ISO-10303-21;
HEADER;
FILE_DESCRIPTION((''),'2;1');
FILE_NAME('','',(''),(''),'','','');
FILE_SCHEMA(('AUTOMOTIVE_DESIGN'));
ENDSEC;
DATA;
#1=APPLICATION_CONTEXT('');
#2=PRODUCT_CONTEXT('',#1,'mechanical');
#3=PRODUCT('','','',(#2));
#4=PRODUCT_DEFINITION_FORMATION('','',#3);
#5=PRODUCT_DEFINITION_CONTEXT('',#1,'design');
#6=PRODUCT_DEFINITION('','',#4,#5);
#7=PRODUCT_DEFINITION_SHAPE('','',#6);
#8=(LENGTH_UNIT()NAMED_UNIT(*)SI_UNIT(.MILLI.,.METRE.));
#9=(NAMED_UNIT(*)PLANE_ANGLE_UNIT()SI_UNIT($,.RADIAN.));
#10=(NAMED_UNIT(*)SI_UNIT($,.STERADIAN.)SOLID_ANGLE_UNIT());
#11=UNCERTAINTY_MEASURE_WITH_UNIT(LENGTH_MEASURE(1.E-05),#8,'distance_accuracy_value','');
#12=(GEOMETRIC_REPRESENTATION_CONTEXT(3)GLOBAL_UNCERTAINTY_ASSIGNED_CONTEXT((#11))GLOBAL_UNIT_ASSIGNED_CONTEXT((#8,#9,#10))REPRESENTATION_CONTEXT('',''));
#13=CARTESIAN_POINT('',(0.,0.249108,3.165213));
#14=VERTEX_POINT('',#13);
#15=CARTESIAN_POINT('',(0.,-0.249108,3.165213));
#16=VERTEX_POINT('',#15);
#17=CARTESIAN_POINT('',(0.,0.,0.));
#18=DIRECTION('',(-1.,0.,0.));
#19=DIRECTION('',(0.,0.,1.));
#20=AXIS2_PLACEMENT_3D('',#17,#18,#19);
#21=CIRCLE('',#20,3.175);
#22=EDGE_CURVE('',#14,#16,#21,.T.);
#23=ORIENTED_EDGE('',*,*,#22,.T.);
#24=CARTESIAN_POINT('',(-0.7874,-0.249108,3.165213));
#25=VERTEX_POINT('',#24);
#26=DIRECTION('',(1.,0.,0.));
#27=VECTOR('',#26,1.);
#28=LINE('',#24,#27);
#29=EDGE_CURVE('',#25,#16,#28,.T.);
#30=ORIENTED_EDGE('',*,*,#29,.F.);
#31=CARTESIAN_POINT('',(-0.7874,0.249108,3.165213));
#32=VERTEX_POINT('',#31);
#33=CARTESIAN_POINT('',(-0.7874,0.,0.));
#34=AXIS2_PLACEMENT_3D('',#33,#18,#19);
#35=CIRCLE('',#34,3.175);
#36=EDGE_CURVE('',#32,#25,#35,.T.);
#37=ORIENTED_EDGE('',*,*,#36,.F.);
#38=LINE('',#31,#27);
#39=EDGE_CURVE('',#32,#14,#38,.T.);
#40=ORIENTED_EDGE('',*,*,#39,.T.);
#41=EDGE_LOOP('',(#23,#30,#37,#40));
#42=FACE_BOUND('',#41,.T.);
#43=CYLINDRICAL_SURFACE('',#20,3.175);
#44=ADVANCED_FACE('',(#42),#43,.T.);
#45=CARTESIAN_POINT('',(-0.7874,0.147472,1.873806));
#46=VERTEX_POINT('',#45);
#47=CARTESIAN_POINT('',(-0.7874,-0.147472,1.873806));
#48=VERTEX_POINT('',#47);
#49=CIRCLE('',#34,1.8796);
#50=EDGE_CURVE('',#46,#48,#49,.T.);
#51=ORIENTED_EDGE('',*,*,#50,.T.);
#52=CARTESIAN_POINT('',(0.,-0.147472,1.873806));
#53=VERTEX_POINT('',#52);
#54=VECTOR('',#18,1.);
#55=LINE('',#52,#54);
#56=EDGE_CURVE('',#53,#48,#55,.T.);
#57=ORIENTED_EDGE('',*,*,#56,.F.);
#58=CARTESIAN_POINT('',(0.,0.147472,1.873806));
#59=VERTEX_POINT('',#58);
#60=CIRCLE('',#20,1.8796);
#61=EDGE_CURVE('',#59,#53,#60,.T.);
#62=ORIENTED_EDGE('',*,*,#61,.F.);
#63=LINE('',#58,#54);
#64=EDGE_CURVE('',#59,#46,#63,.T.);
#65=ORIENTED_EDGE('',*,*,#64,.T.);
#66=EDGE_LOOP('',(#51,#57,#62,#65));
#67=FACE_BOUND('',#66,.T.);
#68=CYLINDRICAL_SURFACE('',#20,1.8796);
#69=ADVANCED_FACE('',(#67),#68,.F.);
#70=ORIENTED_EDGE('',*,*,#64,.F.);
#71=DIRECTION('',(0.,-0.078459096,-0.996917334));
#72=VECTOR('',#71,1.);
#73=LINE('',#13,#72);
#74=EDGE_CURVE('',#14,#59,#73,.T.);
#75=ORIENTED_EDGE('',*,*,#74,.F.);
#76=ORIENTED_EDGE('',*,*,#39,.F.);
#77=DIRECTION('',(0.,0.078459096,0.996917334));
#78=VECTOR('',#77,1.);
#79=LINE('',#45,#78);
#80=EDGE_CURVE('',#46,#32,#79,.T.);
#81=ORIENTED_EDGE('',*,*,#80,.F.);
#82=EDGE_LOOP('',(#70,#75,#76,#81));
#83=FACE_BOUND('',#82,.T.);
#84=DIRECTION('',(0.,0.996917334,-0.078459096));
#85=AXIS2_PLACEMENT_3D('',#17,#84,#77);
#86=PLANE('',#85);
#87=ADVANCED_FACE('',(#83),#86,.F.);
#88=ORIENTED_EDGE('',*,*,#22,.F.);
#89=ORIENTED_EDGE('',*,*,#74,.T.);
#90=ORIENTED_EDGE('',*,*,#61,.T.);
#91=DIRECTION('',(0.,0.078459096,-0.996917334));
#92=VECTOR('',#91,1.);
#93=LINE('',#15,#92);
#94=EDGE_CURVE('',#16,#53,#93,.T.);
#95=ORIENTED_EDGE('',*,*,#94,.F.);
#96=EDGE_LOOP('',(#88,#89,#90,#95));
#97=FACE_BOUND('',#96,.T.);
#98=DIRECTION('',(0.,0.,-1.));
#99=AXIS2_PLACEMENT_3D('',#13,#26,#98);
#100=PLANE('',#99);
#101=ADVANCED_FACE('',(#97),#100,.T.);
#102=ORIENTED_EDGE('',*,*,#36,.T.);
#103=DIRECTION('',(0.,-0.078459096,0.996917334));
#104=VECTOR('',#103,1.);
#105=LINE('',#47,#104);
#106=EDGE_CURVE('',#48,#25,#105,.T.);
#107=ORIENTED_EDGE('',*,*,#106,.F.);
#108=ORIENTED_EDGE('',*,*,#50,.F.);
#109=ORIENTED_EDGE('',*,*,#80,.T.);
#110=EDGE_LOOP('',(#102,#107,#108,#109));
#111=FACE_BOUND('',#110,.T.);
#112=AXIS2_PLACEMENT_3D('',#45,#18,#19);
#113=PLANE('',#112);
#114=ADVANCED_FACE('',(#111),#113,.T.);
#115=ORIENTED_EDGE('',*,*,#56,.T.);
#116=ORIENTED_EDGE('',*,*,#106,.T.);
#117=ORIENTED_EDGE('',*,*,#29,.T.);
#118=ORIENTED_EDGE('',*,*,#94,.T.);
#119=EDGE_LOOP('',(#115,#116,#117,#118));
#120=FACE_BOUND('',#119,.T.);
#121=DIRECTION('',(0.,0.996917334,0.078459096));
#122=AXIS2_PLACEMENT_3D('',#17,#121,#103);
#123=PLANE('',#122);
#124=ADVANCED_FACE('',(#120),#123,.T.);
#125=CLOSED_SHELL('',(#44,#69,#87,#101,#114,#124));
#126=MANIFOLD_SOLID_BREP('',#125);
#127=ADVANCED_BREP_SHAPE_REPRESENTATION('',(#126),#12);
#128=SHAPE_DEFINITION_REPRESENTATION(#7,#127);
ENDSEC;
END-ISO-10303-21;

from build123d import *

# Parameters (mm, degrees)
SKETCH1_W      = 0.7874
SKETCH1_H      = 1.2954
REVOLVE1_ANGLE = 351


with BuildPart() as part:
    # Sketch1 → Revolve1 (revolve)
    with BuildSketch(Plane(origin=(0, 0, 0), x_dir=(-1, 0, 0), z_dir=(0, 0.996917333733128, 0.07845909572784564))):
        with Locations((0.3937, 2.5273)):
            Rectangle(SKETCH1_W, SKETCH1_H)
    revolve(axis=Axis((0, 0, 0), (1, 0, 0)), revolution_arc=REVOLVE1_ANGLE)


solid = part.part
